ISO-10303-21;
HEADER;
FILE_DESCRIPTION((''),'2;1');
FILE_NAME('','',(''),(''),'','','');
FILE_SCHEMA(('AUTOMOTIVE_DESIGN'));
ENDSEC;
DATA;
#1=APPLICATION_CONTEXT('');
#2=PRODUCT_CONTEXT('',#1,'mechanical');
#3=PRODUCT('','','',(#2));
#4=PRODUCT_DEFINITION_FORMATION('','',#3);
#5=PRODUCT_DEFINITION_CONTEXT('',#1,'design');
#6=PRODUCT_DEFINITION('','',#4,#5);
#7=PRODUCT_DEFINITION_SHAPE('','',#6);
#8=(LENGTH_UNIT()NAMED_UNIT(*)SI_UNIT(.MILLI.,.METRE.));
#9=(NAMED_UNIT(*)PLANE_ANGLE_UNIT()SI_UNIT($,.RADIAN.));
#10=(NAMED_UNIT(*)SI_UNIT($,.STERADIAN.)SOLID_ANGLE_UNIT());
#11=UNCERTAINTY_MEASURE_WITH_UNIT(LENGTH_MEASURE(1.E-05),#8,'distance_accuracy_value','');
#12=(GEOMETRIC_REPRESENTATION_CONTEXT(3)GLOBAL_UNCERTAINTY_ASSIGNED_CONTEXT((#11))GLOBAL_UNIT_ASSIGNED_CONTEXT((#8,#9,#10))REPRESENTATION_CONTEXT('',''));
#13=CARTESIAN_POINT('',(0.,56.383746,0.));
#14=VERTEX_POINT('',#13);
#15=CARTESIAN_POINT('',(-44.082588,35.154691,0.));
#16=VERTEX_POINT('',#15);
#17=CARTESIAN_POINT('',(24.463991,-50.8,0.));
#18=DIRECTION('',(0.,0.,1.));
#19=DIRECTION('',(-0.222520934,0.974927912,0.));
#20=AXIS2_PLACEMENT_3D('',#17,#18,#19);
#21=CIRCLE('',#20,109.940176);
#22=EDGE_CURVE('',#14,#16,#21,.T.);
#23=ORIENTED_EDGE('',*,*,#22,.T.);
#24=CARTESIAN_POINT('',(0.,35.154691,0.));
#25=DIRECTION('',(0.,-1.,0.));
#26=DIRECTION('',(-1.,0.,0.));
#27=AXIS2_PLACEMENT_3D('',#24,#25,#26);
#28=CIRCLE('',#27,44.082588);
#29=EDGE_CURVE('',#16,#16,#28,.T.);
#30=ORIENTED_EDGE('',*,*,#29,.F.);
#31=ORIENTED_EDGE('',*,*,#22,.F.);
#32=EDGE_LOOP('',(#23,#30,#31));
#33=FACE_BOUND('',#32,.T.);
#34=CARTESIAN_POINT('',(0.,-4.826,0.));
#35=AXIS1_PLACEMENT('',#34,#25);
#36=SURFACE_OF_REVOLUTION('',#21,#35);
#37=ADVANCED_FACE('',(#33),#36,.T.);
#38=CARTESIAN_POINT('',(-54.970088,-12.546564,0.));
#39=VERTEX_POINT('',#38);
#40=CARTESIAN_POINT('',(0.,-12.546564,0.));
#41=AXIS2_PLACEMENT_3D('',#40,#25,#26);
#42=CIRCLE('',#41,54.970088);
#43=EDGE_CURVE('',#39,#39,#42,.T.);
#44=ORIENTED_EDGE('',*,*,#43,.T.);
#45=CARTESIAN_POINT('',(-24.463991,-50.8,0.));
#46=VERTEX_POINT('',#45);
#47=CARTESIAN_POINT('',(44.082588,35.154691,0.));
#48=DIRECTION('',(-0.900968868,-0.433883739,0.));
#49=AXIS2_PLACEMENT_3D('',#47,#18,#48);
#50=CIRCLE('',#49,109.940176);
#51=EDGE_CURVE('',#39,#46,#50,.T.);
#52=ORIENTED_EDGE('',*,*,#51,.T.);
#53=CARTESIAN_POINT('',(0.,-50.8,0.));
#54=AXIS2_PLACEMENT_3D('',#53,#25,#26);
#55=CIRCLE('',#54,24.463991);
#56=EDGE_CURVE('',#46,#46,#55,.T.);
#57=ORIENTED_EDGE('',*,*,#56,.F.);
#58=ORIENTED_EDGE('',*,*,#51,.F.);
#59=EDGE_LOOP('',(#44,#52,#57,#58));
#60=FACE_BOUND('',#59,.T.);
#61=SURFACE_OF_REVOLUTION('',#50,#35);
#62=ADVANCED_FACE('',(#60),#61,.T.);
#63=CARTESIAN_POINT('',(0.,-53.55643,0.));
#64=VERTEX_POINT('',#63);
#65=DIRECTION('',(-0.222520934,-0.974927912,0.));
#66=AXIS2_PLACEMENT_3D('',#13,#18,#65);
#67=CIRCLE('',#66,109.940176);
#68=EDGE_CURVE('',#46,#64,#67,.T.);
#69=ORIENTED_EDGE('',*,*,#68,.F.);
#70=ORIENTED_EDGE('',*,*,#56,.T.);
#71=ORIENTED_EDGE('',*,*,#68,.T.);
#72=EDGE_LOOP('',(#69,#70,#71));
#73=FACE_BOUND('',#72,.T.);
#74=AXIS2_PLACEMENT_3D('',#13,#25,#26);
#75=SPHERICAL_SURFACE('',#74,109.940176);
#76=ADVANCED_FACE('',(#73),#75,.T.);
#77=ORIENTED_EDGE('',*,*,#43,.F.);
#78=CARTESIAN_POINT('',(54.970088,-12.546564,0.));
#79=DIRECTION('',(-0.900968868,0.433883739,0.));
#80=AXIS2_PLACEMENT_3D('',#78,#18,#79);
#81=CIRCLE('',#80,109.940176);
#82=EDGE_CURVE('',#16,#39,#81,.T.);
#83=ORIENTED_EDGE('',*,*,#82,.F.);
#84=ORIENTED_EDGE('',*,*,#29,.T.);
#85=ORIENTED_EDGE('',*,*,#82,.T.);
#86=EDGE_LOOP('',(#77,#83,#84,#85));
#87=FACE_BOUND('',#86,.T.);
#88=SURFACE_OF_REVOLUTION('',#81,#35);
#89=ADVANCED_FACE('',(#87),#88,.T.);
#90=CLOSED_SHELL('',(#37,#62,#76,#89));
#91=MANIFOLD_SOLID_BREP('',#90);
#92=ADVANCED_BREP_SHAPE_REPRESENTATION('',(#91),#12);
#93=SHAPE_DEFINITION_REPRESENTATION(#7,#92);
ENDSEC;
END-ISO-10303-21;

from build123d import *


with BuildPart() as f1:
    # F0 (on Top) → F1 (revolve)
    with BuildSketch(Plane.XY):
        Polygon((0, -50.8), (0, 56.3837462201), (-44.0825878943, 35.1546907588), (-54.9700879833, -12.5465638688), (-24.4639906354, -50.8), align=None)
        with BuildLine():
            Line((-44.0825878943, 35.1546907588), (0, 56.3837462201))
            ThreePointArc((0, 56.3837462201), (-23.2372639922, 48.2526758777), (-44.0825878943, 35.1546907588))
        make_face()
        with BuildLine():
            Line((-54.9700879833, -12.5465638688), (-44.0825878943, 35.1546907588))
            ThreePointArc((-44.0825878943, 35.1546907588), (-52.2136582367, 11.9174267666), (-54.9700879833, -12.5465638688))
        make_face()
        with BuildLine():
            Line((-24.4639906354, -50.8), (-54.9700879833, -12.5465638688))
            ThreePointArc((-54.9700879833, -12.5465638688), (-41.8721028645, -33.391887771), (-24.4639906354, -50.8))
        make_face()
        with BuildLine():
            Line((0, -53.5564297466), (0, -50.8))
            Line((0, -50.8), (-24.4639906354, -50.8))
            ThreePointArc((-24.4639906354, -50.8), (-12.3093942048, -52.8651489958), (0, -53.5564297466))
        make_face()
    revolve(axis=Axis((0, -4.826, 0), (0, -1, 0)))


solid = f1.part
